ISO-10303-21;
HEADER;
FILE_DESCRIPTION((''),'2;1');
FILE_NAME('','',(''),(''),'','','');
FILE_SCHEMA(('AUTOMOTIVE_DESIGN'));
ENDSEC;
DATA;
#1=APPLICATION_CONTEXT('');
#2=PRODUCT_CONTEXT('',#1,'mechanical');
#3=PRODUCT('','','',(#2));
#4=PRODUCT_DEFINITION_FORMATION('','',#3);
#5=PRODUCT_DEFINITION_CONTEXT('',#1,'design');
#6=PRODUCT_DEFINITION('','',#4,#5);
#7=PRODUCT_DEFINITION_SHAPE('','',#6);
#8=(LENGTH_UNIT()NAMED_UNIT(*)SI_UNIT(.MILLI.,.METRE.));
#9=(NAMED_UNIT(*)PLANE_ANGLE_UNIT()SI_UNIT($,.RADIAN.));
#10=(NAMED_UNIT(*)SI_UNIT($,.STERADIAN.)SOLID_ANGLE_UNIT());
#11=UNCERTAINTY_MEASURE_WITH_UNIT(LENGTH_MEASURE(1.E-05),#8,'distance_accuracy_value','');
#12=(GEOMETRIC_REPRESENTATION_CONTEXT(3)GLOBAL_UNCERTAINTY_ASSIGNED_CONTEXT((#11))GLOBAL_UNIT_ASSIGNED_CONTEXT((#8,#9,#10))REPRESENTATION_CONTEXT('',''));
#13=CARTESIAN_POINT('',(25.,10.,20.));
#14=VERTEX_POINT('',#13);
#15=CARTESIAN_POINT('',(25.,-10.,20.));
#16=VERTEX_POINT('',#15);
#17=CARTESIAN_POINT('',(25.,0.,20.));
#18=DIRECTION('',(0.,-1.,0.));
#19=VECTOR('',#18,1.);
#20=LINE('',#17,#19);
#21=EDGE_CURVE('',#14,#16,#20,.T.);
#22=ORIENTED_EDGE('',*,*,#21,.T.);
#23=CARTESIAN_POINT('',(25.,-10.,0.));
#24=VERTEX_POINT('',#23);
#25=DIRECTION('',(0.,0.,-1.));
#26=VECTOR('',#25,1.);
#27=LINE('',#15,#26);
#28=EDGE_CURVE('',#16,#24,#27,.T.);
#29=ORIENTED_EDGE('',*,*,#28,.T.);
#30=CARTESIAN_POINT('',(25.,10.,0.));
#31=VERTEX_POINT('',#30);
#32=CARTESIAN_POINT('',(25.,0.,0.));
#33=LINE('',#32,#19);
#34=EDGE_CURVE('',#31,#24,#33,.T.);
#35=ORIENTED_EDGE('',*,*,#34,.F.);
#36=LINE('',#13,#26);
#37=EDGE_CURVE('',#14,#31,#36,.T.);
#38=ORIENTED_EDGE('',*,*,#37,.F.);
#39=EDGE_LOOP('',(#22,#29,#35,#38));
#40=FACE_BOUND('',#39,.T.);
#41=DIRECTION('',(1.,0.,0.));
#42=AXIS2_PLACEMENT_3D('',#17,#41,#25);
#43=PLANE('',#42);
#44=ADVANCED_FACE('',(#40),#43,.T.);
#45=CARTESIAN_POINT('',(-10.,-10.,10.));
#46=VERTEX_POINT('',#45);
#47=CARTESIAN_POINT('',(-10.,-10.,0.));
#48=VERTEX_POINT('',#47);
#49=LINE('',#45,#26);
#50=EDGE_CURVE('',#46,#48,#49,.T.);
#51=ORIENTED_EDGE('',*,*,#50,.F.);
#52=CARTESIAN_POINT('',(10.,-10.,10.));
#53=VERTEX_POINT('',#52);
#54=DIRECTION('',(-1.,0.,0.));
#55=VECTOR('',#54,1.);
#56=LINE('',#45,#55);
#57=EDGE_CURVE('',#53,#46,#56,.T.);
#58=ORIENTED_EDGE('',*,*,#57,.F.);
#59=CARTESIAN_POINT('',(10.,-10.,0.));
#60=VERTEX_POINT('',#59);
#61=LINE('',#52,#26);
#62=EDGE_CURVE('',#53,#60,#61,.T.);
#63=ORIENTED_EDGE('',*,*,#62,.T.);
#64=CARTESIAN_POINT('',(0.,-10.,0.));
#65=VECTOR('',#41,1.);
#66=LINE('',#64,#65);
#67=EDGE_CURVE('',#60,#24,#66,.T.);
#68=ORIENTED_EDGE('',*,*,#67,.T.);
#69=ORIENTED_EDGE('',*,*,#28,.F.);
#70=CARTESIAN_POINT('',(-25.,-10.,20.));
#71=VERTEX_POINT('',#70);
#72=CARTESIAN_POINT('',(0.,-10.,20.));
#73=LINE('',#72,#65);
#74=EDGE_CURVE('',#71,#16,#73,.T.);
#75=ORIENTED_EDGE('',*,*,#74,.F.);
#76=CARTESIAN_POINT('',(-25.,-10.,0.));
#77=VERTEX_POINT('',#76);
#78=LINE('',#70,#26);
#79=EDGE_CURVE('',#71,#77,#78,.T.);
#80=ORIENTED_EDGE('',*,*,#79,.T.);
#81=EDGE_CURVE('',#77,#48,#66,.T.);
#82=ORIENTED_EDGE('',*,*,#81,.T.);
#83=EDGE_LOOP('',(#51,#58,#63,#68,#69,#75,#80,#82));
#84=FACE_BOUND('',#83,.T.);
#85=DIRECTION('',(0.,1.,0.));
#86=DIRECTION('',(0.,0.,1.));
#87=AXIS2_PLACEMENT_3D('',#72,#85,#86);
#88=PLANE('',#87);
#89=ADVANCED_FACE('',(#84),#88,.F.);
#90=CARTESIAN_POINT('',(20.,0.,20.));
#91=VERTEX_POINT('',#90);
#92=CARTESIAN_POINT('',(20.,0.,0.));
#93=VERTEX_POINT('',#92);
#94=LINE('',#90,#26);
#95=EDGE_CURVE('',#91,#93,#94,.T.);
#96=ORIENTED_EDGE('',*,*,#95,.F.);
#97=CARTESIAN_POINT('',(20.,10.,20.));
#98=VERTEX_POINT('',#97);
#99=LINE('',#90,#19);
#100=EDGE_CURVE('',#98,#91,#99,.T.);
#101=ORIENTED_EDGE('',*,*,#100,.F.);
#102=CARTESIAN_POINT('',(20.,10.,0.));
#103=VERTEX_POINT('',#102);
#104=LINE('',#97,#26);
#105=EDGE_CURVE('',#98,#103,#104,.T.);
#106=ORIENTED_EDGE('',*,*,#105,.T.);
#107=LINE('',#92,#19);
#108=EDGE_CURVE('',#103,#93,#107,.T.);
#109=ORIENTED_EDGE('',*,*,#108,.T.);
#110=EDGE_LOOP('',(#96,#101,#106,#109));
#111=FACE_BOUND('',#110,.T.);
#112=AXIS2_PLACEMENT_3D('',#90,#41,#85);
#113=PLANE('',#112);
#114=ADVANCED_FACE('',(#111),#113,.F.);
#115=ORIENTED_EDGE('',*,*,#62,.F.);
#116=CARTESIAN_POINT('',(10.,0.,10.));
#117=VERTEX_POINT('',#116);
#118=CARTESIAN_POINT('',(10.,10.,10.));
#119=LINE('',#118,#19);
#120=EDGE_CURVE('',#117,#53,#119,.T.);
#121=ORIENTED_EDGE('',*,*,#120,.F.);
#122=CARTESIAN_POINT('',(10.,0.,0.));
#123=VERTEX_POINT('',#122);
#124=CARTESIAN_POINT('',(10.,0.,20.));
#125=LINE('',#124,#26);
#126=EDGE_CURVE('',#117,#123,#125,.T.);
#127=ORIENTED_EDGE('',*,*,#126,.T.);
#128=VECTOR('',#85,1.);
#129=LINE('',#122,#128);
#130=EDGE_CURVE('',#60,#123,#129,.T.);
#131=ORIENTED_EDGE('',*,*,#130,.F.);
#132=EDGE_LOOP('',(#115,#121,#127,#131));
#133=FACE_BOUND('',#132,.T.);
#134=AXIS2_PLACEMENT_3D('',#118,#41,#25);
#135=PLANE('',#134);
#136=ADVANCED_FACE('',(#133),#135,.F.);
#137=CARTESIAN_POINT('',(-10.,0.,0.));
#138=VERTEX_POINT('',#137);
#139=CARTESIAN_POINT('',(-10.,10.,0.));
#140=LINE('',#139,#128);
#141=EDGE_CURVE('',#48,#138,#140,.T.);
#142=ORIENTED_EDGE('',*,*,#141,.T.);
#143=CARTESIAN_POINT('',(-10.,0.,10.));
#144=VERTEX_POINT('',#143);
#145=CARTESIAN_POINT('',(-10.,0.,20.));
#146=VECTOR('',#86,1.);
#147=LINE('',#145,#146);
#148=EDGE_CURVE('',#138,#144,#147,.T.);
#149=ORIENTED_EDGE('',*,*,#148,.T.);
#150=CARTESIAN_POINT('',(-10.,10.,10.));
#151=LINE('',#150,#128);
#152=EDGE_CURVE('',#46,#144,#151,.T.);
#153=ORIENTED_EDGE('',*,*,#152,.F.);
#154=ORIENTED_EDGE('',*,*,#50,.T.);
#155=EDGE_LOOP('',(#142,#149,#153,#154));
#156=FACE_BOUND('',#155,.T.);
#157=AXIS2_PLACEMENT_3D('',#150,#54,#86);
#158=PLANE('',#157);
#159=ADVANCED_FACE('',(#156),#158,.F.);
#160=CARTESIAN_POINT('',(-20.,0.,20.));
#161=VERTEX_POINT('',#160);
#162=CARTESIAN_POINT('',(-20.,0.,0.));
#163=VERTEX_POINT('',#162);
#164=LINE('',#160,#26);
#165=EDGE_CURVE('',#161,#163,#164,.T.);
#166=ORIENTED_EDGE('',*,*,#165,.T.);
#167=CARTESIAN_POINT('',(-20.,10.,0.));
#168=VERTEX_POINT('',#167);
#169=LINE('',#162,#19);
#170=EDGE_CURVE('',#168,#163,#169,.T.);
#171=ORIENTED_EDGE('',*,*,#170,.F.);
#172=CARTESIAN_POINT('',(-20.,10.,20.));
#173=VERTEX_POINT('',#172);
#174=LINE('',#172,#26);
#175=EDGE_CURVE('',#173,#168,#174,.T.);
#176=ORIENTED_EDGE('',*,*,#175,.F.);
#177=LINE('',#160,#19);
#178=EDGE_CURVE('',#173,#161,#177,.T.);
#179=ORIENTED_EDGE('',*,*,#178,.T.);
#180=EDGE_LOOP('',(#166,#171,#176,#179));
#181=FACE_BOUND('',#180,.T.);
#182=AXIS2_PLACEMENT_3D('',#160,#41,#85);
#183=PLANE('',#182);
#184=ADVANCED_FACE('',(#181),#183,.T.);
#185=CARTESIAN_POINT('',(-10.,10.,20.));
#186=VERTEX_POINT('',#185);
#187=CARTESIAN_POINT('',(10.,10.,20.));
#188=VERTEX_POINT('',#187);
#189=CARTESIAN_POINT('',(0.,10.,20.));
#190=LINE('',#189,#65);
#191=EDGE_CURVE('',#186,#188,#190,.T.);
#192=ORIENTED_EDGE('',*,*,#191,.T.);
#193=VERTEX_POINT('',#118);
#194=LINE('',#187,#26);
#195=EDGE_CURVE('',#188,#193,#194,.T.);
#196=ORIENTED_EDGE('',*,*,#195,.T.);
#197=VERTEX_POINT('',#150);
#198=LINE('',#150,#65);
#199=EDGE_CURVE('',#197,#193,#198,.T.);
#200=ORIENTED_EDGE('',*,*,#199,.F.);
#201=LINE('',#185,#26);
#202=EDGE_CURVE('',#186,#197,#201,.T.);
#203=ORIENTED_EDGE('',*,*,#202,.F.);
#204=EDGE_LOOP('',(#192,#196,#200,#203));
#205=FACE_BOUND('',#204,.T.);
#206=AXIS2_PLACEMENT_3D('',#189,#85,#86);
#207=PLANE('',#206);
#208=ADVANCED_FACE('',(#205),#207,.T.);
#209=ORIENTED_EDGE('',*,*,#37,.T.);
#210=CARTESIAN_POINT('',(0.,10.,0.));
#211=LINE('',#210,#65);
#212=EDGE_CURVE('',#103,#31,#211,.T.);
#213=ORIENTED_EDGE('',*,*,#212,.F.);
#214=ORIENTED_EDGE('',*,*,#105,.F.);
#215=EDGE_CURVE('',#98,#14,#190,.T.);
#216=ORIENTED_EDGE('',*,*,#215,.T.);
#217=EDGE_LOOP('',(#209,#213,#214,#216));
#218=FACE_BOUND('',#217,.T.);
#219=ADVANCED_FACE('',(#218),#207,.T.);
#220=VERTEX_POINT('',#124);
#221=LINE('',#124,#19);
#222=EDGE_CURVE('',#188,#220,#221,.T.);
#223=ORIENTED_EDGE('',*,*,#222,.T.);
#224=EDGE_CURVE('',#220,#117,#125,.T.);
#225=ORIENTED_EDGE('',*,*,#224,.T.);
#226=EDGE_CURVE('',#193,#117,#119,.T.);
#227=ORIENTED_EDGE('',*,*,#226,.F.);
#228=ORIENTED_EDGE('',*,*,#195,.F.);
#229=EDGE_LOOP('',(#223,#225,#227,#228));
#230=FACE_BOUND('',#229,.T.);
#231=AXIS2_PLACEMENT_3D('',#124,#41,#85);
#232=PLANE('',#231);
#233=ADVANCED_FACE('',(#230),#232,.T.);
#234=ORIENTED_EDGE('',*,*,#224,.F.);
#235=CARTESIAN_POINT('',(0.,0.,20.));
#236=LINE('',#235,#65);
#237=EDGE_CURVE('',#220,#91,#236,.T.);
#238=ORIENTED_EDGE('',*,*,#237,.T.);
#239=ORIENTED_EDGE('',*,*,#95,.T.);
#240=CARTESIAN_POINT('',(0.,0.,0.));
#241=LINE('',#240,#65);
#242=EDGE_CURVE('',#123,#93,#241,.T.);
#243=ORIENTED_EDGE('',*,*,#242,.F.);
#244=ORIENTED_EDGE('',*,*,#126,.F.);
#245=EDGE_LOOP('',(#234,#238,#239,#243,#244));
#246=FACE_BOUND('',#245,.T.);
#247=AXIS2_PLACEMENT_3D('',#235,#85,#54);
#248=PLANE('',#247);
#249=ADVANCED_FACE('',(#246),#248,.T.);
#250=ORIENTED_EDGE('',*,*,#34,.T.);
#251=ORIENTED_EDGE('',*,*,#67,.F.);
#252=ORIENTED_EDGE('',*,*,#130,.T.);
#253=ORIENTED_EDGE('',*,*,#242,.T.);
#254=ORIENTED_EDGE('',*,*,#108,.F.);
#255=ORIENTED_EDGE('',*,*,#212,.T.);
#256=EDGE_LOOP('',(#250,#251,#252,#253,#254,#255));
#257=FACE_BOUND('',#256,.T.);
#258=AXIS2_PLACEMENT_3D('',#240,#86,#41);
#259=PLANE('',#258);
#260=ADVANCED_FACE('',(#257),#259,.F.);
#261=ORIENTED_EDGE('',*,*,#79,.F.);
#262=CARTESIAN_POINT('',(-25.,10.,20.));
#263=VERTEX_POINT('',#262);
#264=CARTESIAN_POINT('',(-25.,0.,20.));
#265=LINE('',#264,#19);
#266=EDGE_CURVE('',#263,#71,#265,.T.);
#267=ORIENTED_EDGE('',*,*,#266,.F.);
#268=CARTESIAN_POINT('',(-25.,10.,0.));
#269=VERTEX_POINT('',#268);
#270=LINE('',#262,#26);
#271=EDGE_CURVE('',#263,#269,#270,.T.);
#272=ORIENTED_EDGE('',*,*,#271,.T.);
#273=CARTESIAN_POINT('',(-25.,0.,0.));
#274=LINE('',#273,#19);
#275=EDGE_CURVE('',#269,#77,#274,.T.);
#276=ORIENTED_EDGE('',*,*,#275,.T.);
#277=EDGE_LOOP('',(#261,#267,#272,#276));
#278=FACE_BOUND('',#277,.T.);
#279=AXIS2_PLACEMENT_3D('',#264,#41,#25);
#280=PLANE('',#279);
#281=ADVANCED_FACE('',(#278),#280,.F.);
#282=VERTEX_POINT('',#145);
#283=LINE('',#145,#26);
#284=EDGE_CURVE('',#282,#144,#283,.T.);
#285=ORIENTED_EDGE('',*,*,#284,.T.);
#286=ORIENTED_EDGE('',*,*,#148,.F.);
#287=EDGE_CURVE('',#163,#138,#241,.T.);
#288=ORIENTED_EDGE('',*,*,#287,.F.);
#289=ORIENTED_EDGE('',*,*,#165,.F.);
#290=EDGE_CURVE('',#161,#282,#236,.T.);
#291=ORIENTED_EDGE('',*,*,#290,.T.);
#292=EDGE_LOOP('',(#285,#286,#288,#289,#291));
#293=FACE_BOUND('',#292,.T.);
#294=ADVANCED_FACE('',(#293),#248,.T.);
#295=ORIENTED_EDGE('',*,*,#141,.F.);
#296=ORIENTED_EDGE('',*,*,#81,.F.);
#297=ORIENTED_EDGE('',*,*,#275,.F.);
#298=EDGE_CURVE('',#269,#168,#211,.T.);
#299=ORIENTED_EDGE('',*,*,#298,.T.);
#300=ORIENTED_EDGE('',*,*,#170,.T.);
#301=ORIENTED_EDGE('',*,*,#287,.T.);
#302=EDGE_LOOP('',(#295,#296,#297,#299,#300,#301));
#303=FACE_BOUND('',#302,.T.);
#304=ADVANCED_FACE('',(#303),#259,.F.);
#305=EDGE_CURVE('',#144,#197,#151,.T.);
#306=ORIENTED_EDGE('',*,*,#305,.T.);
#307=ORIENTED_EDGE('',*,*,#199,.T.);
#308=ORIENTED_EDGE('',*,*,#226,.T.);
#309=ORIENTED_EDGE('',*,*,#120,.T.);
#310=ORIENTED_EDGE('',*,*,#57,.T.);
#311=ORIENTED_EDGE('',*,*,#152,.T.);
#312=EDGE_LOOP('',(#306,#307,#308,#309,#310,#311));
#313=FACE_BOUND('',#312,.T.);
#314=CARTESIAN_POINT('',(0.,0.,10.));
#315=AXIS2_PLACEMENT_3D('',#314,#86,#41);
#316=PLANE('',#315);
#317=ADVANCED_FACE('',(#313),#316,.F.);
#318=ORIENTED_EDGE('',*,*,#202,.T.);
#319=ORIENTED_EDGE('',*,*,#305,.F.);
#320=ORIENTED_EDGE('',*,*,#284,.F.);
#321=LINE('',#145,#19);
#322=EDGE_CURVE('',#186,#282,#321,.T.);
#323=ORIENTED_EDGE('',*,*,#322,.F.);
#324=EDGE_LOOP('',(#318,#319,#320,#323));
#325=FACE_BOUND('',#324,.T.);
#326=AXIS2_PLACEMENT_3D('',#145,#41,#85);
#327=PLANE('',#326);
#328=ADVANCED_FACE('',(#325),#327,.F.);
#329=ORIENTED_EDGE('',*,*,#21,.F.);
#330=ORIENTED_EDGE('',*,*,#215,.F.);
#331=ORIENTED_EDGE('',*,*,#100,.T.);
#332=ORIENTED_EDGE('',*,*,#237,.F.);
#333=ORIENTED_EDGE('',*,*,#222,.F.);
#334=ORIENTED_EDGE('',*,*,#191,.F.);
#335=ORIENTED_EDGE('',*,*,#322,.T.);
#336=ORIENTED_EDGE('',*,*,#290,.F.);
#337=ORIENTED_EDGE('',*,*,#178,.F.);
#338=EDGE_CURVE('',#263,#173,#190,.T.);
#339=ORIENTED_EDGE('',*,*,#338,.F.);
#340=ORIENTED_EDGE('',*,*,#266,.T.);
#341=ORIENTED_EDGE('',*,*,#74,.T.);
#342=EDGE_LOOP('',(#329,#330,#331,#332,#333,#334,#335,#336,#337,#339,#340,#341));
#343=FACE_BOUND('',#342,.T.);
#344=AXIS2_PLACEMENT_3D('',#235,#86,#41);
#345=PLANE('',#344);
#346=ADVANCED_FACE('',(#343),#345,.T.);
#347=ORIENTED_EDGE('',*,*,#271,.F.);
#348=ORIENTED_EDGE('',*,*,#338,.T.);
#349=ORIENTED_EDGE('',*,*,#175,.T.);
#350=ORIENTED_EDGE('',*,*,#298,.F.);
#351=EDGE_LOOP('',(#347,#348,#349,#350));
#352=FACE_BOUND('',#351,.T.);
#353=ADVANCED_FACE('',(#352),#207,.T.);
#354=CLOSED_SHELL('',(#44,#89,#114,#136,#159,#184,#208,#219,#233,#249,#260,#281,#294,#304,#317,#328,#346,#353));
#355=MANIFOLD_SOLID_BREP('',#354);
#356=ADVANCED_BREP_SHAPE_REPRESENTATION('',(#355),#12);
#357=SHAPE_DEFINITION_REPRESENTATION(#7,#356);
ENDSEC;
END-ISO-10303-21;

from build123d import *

# Parameters (mm, degrees)
EXTRUDE_1_DEPTH     = 20
SKETCH_2_W          = 20
SKETCH_2_H          = 20
CUT_EXTRUDE_1_DEPTH = 10


with BuildPart() as part:
    # 草圖1 → 填料-伸長1 (new body)
    with BuildSketch(Plane.XY):
        Polygon((-20, 10), (-25, 10), (-25, -10), (25, -10), (25, 10), (20, 10), (20, 0), (10, 0), (10, 10), (-10, 10), (-10, 0), (-20, 0), align=None)
    extrude(amount=EXTRUDE_1_DEPTH)

    # 草圖2 → 除料-伸長1 (cut)
    with BuildSketch(Plane(origin=(0, 0, 0), x_dir=(-1, 0, 0), z_dir=(0, 0, -1))):
        Rectangle(SKETCH_2_W, SKETCH_2_H)
    extrude(amount=-CUT_EXTRUDE_1_DEPTH, mode=Mode.SUBTRACT)


solid = part.part
